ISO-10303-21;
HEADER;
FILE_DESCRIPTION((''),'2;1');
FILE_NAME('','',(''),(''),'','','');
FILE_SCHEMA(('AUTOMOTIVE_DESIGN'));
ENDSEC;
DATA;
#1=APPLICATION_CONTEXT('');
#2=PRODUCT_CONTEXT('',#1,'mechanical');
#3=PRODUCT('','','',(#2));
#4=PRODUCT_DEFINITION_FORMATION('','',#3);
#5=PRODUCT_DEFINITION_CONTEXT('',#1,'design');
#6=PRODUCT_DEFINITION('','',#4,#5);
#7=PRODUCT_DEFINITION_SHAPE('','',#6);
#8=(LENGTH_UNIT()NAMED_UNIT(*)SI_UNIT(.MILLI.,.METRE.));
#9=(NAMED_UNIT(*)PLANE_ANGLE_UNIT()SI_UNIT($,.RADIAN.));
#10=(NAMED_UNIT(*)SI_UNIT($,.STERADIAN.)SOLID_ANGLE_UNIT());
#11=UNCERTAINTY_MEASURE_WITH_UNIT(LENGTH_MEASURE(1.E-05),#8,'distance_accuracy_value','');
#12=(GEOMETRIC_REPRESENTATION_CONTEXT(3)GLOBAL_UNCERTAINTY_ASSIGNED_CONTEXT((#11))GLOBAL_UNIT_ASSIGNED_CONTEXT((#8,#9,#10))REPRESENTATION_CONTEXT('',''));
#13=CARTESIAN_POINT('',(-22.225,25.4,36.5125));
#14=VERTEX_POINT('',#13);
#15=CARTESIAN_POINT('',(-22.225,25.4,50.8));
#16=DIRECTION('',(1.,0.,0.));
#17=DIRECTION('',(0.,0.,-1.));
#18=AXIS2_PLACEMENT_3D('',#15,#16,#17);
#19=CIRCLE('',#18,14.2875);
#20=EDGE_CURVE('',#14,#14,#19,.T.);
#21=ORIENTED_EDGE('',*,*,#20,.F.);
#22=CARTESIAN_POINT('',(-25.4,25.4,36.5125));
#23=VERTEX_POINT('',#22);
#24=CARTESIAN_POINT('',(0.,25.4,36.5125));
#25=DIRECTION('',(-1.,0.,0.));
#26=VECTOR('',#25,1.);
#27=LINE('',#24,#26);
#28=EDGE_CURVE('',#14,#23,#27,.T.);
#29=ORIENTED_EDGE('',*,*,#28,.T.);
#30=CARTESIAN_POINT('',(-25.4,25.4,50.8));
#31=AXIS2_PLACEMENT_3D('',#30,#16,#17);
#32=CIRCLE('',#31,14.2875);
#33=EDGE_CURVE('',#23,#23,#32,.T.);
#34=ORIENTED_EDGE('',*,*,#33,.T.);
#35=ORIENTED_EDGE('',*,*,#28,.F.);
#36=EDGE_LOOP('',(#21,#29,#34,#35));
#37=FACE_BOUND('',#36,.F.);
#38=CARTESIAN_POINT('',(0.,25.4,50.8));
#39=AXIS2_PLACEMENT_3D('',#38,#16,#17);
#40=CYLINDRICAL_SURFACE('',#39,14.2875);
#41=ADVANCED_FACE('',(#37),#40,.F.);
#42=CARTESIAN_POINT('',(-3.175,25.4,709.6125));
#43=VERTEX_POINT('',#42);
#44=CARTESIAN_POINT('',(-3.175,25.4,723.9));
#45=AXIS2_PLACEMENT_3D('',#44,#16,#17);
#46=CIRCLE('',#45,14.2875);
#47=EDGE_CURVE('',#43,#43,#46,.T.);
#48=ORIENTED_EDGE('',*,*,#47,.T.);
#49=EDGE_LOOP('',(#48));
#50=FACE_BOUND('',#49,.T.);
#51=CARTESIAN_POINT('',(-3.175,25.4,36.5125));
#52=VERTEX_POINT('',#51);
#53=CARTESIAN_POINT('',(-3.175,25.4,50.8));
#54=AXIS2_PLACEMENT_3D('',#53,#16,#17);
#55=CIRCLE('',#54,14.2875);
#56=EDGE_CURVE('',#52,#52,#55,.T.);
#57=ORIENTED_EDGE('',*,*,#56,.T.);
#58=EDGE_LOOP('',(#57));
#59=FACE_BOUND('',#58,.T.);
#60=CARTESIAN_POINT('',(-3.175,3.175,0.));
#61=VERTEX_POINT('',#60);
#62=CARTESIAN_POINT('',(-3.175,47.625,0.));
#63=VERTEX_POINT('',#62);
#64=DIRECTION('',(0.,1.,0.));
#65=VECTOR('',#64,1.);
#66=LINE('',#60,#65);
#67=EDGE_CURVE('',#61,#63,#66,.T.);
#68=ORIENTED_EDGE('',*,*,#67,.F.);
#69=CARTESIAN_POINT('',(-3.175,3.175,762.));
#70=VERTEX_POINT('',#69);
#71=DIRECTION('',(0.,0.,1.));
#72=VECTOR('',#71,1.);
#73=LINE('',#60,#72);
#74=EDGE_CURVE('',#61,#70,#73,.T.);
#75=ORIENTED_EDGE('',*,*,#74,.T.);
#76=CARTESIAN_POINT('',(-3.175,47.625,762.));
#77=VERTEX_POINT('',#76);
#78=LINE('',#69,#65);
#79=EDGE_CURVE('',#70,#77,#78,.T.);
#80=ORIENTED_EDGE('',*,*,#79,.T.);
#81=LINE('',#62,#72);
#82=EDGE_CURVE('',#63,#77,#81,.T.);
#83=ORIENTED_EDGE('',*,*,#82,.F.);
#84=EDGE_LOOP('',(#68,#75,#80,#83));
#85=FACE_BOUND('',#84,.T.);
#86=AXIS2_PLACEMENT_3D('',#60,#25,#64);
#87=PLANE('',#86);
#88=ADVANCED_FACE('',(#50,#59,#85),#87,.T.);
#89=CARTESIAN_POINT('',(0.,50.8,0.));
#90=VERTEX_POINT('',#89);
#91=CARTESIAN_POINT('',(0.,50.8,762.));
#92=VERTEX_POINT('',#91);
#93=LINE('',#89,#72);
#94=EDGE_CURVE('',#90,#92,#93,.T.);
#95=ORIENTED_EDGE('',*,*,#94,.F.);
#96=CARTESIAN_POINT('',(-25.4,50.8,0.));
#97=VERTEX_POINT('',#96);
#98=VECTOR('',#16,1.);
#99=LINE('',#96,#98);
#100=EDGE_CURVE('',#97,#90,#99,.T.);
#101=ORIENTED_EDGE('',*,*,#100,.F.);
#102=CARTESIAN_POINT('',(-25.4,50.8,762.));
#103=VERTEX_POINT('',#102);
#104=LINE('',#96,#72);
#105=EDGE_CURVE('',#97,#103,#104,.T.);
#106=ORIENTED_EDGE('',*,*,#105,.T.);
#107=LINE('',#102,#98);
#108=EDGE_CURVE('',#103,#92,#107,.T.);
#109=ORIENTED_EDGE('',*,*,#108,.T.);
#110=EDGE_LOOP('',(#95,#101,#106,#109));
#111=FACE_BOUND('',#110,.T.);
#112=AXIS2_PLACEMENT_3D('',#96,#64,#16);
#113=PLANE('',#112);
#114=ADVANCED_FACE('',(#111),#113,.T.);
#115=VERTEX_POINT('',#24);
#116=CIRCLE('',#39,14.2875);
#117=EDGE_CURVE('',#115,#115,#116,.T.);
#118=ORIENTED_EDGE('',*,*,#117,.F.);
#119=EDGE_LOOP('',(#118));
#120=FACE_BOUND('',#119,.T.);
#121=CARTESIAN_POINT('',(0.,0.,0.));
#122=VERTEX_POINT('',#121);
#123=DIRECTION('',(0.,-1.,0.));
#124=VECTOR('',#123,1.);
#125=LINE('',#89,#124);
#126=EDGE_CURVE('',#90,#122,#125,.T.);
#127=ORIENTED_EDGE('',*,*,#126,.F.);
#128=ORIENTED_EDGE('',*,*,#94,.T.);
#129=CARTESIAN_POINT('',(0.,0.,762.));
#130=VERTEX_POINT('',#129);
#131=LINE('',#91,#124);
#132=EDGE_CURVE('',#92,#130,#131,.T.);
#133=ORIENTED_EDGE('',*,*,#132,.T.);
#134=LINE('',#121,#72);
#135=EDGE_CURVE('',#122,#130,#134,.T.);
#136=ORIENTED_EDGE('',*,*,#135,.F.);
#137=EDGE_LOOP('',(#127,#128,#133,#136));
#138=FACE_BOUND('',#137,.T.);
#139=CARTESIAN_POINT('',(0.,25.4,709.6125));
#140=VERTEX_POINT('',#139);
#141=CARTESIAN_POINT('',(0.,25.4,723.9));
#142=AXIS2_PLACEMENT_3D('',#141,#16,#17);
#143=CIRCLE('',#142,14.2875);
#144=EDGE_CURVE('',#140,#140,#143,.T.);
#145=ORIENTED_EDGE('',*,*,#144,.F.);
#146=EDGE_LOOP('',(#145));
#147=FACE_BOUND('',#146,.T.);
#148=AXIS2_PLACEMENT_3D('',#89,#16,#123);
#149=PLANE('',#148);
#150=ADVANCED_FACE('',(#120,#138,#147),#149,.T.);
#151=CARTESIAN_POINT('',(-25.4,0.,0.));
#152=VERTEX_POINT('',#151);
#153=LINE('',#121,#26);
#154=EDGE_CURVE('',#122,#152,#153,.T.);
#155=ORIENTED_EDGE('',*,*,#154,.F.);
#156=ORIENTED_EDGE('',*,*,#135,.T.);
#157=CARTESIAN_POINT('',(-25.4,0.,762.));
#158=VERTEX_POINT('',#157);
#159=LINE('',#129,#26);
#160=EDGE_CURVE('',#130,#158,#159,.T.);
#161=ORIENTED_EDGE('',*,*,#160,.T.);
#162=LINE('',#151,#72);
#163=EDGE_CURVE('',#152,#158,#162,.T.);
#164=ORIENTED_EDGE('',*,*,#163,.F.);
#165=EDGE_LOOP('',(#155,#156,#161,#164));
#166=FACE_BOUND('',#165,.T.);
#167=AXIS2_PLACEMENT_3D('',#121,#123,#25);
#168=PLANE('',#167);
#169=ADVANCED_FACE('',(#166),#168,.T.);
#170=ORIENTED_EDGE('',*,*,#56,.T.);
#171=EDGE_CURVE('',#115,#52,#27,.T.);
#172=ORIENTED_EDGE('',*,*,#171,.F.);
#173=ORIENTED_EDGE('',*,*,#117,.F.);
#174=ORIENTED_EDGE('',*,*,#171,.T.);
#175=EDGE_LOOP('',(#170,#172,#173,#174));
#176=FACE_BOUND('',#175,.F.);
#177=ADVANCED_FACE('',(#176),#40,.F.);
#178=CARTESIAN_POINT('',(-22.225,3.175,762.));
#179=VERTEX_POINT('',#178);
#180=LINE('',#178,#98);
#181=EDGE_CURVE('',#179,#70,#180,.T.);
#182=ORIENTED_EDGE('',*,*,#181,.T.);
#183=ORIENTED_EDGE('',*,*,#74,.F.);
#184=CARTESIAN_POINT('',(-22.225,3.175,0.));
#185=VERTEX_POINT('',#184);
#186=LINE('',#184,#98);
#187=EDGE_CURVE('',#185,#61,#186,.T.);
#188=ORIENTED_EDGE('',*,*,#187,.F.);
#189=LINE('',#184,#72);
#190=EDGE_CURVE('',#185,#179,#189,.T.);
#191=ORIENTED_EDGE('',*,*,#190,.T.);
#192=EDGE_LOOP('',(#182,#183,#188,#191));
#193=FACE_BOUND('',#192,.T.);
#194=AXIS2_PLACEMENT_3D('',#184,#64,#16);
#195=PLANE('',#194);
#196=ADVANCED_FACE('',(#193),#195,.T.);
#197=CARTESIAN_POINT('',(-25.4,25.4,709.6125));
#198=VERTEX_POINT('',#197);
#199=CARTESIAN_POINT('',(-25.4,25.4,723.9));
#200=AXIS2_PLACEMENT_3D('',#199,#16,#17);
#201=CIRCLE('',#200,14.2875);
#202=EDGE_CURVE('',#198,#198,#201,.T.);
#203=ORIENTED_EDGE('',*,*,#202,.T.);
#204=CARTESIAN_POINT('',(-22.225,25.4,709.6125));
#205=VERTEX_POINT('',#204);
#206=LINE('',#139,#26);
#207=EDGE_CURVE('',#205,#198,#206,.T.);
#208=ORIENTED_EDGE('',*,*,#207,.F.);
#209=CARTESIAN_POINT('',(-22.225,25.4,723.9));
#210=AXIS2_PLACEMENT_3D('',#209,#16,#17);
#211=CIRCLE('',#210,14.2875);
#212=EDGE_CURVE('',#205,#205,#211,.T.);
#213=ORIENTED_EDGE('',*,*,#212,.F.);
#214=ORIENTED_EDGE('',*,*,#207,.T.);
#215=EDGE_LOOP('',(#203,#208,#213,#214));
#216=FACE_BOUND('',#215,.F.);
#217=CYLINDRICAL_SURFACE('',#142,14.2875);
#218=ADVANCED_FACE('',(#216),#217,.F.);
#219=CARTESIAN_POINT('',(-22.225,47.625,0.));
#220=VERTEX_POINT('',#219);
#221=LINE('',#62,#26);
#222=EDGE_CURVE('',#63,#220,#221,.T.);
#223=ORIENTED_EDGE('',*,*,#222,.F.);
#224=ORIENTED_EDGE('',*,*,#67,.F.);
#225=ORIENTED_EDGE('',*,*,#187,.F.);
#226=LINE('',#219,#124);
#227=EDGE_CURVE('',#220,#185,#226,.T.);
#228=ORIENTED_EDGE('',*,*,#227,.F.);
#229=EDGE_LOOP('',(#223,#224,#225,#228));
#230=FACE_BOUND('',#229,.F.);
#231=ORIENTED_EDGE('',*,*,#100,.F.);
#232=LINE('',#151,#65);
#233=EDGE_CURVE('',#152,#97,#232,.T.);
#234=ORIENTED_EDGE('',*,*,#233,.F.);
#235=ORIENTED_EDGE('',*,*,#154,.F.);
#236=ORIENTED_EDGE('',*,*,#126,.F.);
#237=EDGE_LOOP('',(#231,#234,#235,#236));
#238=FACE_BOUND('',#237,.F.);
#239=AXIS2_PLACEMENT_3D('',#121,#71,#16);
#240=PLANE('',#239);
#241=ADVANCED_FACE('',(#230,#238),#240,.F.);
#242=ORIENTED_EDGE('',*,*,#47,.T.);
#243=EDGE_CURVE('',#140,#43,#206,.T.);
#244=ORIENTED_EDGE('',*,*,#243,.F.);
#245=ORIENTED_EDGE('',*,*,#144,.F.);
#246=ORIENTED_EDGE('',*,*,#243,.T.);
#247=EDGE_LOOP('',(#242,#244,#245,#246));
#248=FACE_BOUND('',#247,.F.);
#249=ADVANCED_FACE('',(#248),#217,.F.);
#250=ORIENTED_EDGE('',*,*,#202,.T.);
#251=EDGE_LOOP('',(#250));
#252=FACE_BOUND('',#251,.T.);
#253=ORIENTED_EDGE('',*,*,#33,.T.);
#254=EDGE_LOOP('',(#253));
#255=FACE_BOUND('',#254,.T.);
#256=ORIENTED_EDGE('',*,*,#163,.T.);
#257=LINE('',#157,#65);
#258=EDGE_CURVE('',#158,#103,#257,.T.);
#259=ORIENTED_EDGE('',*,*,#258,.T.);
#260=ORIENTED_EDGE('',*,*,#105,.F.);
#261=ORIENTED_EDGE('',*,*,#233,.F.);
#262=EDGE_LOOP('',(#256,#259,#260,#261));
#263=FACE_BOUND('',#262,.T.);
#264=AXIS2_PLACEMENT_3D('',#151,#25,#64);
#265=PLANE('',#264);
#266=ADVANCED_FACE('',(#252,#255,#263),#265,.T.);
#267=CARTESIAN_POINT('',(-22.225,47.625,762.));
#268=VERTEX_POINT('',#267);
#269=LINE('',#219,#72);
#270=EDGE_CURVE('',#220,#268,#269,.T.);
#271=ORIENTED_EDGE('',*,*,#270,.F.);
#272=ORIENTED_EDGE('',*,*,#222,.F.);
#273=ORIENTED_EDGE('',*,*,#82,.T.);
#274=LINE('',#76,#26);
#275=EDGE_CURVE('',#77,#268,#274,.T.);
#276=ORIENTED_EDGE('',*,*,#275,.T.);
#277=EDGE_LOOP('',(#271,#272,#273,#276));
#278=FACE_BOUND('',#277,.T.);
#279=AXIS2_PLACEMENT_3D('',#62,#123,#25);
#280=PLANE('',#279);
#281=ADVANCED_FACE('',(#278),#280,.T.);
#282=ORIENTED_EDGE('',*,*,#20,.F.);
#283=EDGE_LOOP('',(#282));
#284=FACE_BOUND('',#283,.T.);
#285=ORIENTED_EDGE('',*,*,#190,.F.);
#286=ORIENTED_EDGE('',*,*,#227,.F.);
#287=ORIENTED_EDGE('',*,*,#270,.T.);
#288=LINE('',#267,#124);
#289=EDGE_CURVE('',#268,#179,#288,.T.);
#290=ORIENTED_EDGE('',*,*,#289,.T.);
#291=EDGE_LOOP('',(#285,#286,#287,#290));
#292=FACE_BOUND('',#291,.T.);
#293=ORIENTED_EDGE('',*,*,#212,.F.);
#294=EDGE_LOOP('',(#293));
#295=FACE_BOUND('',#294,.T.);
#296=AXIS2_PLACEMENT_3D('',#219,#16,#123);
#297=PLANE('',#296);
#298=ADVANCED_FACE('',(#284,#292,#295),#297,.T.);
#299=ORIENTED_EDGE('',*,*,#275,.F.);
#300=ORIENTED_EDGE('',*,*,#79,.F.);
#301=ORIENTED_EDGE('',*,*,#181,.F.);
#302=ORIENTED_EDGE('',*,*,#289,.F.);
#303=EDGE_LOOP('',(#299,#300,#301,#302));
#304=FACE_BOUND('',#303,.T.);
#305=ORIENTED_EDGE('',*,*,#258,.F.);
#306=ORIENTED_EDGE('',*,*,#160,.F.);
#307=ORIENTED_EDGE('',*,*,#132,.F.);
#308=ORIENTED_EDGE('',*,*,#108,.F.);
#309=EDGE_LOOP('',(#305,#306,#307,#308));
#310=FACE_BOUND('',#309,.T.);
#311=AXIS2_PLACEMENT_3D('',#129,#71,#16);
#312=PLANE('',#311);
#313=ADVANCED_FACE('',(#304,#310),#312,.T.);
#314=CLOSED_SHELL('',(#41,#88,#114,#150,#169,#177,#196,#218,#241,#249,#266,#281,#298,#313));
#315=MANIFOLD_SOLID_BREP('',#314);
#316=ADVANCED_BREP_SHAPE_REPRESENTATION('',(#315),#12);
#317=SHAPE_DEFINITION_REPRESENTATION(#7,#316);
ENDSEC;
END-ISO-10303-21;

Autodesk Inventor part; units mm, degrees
ref_plane "YZ Plane" through (0, 0, 0) normal (1, 0, 0) x (0, 1, 0)
ref_plane "XZ Plane" through (0, 0, 0) normal (0, 1, 0) x (-1, 0, 0)
ref_plane "XY Plane" through (0, 0, 0) normal (0, 0, 1) x (1, 0, 0)
sketch "Sketch1" plane through (0, 0, 0) normal (0, 0, 1) x (1, 0, 0)
  line L0 (0, 0) -> (-25.4, 0)
  line L1 (-25.4, 0) -> (-25.4, 50.8)
  line L2 (-25.4, 50.8) -> (0, 50.8)
  line L3 (0, 50.8) -> (0, 0)
  line L4 (-22.225, 3.175) -> (-3.175, 3.175)
  line L5 (-3.175, 3.175) -> (-3.175, 47.625)
  line L6 (-3.175, 47.625) -> (-22.225, 47.625)
  line L7 (-22.225, 47.625) -> (-22.225, 3.175)
  dimension "d0" = 25.4
  dimension "d1" = 50.8
  dimension "d2" = 3.175
extrude "Extrusion1" add sketch "Sketch1" along normal blind 762
sketch "Sketch2" plane through (0, 0, 0) normal (1, 0, 0) x (0, 0, -1)
  circle A0 centre (-50.8, 25.4) radius 14.2875
  line L0 (0, 50.8) -> (0, 0) projected
  line L1 (0, 0) -> (-762, 0) projected
  dimension "d5" = 50.8
  dimension "d6" = 25.4
  dimension "d7" = 28.575
extrude "Extrusion2" cut sketch "Sketch2" against normal blind 930.1395
sketch "Sketch3" plane through (0, 0, 0) normal (1, 0, 0) x (0, 0, -1)
  circle A0 centre (-723.9, 25.4) radius 14.2875
  line L0 (-762, 0) -> (-762, 50.8) projected
  line L1 (0, 50.8) -> (-762, 50.8) projected
  point P0 (0, 0)
  dimension "d10" = 38.1
  dimension "d11" = 25.4
  dimension "d12" = 28.575
extrude "Extrusion3" cut sketch "Sketch3" against normal blind 25.4
properties part number "DRL Angle"
